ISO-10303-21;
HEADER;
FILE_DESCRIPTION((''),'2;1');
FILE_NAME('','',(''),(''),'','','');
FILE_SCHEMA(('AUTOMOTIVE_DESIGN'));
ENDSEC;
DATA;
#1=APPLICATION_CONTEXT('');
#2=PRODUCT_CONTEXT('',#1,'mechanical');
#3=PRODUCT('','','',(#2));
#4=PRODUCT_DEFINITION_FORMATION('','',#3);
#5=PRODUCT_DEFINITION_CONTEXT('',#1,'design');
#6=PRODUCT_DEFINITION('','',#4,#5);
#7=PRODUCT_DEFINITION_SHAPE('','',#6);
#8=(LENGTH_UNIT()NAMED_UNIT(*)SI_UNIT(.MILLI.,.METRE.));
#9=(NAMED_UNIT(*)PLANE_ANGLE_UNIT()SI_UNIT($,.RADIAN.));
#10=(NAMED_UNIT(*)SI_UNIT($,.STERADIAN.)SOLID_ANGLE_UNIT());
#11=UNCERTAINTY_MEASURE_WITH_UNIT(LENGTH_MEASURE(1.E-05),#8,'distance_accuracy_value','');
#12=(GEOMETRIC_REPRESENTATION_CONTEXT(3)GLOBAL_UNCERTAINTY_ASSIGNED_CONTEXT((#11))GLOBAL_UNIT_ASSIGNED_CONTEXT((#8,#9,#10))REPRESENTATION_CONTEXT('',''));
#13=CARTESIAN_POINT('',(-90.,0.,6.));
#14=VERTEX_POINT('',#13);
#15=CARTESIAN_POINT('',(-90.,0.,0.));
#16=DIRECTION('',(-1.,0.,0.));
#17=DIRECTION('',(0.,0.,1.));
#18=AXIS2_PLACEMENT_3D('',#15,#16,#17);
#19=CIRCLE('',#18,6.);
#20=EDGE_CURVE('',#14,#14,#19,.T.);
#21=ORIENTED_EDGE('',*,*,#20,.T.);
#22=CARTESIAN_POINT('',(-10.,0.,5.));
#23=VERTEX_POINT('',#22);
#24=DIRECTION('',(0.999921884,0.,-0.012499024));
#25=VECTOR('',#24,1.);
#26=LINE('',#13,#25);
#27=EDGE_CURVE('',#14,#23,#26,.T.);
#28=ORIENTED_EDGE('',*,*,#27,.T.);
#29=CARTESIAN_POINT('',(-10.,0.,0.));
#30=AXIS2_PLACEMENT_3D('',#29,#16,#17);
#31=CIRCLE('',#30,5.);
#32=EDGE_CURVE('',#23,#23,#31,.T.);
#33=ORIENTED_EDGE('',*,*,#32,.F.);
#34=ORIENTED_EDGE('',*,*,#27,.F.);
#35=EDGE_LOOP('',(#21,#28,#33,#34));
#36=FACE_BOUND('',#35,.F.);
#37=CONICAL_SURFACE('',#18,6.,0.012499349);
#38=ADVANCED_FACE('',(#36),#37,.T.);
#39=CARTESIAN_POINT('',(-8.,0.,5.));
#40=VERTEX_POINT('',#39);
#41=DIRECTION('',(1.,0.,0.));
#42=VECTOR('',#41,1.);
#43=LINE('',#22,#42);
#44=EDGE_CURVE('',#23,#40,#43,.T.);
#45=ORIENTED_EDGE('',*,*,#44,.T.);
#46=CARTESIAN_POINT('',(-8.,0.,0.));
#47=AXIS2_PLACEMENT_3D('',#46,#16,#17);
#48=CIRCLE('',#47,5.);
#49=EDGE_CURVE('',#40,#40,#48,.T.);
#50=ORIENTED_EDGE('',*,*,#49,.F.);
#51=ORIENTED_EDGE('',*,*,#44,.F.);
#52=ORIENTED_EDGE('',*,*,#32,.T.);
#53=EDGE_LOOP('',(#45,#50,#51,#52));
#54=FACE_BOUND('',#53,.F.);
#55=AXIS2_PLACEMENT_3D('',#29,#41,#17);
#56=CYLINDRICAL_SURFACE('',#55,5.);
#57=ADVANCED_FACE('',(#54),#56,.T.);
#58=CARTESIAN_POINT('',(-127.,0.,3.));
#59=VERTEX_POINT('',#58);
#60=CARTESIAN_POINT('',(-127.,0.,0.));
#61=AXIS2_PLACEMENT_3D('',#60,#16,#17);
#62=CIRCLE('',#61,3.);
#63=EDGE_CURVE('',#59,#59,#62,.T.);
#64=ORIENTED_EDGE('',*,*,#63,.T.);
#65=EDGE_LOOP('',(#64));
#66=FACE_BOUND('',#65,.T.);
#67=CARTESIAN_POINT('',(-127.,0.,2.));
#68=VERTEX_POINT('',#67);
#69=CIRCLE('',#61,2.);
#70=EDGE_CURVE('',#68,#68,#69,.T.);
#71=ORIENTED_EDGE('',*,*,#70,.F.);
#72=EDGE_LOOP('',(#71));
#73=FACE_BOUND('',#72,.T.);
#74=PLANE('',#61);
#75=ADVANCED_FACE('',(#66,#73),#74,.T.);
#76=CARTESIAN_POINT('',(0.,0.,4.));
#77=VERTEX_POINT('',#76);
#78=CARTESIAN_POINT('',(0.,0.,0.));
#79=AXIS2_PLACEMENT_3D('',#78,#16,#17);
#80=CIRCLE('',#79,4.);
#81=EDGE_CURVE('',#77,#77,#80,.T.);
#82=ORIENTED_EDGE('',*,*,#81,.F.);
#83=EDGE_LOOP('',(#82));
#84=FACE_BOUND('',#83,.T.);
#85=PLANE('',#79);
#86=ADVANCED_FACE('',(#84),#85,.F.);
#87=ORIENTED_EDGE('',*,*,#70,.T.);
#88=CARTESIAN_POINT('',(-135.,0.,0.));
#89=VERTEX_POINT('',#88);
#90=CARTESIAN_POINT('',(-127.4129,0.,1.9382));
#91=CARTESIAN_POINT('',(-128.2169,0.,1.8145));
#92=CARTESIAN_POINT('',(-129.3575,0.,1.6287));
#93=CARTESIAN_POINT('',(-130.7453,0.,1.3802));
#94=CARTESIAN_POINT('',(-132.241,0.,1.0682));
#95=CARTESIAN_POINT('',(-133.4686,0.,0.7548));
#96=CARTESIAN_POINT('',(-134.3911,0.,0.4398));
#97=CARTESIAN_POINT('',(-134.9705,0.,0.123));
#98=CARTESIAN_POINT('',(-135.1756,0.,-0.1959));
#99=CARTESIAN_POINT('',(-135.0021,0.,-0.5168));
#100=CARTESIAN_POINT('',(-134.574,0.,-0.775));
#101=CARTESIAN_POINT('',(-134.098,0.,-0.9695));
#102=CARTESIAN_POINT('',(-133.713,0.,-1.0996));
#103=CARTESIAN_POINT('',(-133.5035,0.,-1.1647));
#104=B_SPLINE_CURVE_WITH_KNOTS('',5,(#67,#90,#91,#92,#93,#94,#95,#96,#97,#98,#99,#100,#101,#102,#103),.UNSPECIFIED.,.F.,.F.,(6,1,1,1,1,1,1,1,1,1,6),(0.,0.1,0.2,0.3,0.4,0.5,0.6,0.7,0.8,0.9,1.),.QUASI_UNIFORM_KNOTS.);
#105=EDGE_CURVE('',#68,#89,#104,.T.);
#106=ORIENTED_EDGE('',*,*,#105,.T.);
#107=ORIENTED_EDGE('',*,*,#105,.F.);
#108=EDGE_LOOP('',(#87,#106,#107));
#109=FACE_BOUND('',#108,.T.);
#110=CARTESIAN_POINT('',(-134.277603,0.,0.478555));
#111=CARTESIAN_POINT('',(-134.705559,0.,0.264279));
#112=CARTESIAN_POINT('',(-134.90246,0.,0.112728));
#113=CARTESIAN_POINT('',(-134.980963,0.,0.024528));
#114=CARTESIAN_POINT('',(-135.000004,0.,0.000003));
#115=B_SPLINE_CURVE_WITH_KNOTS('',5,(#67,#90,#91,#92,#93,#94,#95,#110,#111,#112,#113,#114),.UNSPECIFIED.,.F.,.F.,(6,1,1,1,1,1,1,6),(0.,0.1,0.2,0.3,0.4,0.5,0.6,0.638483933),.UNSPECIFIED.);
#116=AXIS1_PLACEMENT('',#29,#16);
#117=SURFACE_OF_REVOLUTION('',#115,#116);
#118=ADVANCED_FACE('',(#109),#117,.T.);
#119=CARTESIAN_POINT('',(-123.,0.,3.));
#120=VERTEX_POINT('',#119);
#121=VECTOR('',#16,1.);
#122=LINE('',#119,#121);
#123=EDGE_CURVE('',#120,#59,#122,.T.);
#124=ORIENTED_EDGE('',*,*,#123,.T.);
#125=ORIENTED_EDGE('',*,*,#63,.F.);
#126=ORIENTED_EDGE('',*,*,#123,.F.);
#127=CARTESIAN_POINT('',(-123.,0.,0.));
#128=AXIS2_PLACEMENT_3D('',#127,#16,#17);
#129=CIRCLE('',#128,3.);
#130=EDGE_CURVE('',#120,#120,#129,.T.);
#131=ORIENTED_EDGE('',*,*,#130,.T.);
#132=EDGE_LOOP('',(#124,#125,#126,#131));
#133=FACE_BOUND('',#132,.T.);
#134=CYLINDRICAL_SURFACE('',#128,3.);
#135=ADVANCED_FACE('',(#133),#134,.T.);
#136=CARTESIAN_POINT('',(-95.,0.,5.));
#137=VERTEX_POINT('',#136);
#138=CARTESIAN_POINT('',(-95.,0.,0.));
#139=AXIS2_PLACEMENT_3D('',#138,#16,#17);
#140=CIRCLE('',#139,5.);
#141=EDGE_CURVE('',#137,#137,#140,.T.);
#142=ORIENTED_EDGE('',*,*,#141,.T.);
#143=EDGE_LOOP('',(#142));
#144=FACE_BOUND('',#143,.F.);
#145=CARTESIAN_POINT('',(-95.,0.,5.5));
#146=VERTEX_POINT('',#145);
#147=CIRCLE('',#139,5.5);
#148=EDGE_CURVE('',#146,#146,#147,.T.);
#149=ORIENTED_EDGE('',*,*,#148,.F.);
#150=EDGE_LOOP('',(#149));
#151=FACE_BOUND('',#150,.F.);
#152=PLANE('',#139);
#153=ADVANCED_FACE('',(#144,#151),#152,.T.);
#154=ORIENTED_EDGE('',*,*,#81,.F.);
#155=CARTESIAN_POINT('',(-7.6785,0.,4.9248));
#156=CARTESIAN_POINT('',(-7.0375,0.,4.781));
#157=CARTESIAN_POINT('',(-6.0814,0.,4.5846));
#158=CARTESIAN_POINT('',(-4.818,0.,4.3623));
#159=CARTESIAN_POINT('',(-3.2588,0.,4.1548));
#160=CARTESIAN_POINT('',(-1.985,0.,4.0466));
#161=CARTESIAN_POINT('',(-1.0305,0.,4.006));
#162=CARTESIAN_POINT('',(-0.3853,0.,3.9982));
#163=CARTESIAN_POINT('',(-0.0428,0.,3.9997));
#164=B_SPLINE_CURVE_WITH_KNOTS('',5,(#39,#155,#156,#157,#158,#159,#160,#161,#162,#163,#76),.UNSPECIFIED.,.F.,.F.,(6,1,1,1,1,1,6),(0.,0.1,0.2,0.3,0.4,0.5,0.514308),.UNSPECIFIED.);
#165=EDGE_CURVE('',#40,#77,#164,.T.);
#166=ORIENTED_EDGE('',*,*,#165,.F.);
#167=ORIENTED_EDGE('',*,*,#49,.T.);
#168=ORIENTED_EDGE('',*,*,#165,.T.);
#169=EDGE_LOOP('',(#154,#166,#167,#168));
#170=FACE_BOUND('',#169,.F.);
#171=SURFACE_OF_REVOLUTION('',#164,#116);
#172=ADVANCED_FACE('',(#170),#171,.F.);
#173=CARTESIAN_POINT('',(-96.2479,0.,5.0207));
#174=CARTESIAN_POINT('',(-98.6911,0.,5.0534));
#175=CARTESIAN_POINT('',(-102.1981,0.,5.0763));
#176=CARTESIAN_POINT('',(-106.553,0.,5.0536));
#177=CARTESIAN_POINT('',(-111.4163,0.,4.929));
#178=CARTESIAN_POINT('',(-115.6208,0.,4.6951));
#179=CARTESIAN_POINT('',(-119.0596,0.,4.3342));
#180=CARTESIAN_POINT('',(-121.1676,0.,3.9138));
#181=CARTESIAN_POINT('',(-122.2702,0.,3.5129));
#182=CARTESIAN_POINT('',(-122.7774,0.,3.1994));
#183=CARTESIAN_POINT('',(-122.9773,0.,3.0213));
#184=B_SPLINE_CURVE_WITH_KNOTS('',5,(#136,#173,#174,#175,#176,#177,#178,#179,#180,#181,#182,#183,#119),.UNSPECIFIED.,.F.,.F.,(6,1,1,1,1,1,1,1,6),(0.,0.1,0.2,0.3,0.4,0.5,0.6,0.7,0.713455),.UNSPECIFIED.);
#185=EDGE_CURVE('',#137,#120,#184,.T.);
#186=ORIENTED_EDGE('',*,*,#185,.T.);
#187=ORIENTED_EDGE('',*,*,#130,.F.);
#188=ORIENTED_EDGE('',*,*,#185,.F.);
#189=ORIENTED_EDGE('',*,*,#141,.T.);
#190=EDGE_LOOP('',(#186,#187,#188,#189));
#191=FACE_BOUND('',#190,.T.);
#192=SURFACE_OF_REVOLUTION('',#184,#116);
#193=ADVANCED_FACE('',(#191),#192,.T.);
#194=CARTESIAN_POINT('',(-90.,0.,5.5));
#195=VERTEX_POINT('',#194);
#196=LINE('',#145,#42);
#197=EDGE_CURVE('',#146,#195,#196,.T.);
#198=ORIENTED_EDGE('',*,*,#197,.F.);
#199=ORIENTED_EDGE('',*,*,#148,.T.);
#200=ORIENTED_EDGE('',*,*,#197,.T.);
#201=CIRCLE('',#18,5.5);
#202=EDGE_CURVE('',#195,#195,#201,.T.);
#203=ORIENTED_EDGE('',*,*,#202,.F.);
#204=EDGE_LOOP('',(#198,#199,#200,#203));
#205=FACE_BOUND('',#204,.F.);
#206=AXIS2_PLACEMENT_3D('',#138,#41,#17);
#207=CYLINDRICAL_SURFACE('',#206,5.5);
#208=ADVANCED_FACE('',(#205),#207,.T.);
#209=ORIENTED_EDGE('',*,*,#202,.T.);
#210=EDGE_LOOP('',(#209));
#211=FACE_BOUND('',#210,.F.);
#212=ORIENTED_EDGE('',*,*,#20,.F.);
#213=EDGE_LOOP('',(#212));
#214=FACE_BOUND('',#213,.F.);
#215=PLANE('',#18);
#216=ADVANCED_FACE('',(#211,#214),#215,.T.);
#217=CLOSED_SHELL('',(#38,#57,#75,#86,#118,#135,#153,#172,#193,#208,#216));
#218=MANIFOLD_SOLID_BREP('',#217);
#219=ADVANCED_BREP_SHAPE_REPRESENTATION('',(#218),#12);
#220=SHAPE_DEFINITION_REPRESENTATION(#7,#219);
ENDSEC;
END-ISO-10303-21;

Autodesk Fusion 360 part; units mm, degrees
sketch "Boceto1" plane through (0, 0, 0) normal (0, 1, 0) x (1, 0, 0)
  line L0 (0, 0) -> (0, -4)
  line L1 (0, 0) -> (-10, 0)
  line L2 (-10, 0) -> (-10, -5)
  line L3 (-10, -5) -> (-8, -5)
  line L4 (-8, -5) -> (-8, 0)
  spline S0 degree 5 poles (-8, -5) (-7.6785, -4.9248) (-7.0375, -4.781) (-6.0814, -4.5846) (-4.818, -4.3623) (-3.2588, -4.1548) (-1.985, -4.0466) (-1.0305, -4.006) (-0.3853, -3.9982) (-0.0428, -3.9997) (0, -4) knots 0 0 0 0 0 0 0.1 0.2 0.3 0.4 0.5 0.514308 0.514308 0.514308 0.514308 0.514308 0.514308
  line L5 (-0.7884, -3.9948) -> (0.7884, -4.0052)
  line L6 (-10, 0) -> (-90, 0)
  line L7 (-90, 0) -> (-90, -6)
  line L8 (-90, -6) -> (-10, -5)
  line L9 (-90, 0) -> (-95, 0)
  line L10 (-95, 0) -> (-95, -5.5)
  line L11 (-95, -5.5) -> (-90, -5.5)
  line L12 (-95, 0) -> (-95, -5)
  line L13 (-95, 0) -> (-123, 0)
  line L14 (-123, 0) -> (-123, -3)
  spline S1 degree 5 poles (-95, -5) (-96.2479, -5.0207) (-98.6911, -5.0534) (-102.1981, -5.0763) (-106.553, -5.0536) (-111.4163, -4.929) (-115.6208, -4.6951) (-119.0596, -4.3342) (-121.1676, -3.9138) (-122.2702, -3.5129) (-122.7774, -3.1994) (-122.9773, -3.0213) (-123, -3) knots 0 0 0 0 0 0 0.1 0.2 0.3 0.4 0.5 0.6 0.7 0.713455 0.713455 0.713455 0.713455 0.713455 0.713455
  line L15 (-122.4438, -3.5211) -> (-123.5562, -2.4789)
  line L16 (-123, -3) -> (-127, -3)
  line L17 (-127, -3) -> (-127, 0)
  line L18 (-127, 0) -> (-123, 0)
  line L19 (-127, 0) -> (-135, 0)
  line L20 (-127, 0) -> (-127, -2)
  spline S2 degree 5 poles (-127, -2) (-127.4129, -1.9382) (-128.2169, -1.8145) (-129.3575, -1.6287) (-130.7453, -1.3802) (-132.241, -1.0682) (-133.4686, -0.7548) (-134.3911, -0.4398) (-134.9705, -0.123) (-135.1756, 0.1959) (-135.0021, 0.5168) (-134.574, 0.775) (-134.098, 0.9695) (-133.713, 1.0996) (-133.5035, 1.1647) knots 0 0 0 0 0 0 0.1 0.2 0.3 0.4 0.5 0.6 0.7 0.8 0.9 1 1 1 1 1 1
  dimension "d3" = 4
  dimension "d4" = 10
  dimension "d5" = 5
  dimension "d6" = 2
  dimension "d7" = 80
  dimension "d8" = 6
  dimension "d9" = 5
  dimension "d10" = 5.5
  dimension "d11" = 5
  dimension "d12" = 28
  dimension "d13" = 3
  dimension "d14" = 4
  dimension "d15" = 8
  dimension "d16" = 2
revolve "Revolución1" add sketch "Boceto1" angle 360 about axis through (-10, 0, 0) along (-1, 0, 0)
